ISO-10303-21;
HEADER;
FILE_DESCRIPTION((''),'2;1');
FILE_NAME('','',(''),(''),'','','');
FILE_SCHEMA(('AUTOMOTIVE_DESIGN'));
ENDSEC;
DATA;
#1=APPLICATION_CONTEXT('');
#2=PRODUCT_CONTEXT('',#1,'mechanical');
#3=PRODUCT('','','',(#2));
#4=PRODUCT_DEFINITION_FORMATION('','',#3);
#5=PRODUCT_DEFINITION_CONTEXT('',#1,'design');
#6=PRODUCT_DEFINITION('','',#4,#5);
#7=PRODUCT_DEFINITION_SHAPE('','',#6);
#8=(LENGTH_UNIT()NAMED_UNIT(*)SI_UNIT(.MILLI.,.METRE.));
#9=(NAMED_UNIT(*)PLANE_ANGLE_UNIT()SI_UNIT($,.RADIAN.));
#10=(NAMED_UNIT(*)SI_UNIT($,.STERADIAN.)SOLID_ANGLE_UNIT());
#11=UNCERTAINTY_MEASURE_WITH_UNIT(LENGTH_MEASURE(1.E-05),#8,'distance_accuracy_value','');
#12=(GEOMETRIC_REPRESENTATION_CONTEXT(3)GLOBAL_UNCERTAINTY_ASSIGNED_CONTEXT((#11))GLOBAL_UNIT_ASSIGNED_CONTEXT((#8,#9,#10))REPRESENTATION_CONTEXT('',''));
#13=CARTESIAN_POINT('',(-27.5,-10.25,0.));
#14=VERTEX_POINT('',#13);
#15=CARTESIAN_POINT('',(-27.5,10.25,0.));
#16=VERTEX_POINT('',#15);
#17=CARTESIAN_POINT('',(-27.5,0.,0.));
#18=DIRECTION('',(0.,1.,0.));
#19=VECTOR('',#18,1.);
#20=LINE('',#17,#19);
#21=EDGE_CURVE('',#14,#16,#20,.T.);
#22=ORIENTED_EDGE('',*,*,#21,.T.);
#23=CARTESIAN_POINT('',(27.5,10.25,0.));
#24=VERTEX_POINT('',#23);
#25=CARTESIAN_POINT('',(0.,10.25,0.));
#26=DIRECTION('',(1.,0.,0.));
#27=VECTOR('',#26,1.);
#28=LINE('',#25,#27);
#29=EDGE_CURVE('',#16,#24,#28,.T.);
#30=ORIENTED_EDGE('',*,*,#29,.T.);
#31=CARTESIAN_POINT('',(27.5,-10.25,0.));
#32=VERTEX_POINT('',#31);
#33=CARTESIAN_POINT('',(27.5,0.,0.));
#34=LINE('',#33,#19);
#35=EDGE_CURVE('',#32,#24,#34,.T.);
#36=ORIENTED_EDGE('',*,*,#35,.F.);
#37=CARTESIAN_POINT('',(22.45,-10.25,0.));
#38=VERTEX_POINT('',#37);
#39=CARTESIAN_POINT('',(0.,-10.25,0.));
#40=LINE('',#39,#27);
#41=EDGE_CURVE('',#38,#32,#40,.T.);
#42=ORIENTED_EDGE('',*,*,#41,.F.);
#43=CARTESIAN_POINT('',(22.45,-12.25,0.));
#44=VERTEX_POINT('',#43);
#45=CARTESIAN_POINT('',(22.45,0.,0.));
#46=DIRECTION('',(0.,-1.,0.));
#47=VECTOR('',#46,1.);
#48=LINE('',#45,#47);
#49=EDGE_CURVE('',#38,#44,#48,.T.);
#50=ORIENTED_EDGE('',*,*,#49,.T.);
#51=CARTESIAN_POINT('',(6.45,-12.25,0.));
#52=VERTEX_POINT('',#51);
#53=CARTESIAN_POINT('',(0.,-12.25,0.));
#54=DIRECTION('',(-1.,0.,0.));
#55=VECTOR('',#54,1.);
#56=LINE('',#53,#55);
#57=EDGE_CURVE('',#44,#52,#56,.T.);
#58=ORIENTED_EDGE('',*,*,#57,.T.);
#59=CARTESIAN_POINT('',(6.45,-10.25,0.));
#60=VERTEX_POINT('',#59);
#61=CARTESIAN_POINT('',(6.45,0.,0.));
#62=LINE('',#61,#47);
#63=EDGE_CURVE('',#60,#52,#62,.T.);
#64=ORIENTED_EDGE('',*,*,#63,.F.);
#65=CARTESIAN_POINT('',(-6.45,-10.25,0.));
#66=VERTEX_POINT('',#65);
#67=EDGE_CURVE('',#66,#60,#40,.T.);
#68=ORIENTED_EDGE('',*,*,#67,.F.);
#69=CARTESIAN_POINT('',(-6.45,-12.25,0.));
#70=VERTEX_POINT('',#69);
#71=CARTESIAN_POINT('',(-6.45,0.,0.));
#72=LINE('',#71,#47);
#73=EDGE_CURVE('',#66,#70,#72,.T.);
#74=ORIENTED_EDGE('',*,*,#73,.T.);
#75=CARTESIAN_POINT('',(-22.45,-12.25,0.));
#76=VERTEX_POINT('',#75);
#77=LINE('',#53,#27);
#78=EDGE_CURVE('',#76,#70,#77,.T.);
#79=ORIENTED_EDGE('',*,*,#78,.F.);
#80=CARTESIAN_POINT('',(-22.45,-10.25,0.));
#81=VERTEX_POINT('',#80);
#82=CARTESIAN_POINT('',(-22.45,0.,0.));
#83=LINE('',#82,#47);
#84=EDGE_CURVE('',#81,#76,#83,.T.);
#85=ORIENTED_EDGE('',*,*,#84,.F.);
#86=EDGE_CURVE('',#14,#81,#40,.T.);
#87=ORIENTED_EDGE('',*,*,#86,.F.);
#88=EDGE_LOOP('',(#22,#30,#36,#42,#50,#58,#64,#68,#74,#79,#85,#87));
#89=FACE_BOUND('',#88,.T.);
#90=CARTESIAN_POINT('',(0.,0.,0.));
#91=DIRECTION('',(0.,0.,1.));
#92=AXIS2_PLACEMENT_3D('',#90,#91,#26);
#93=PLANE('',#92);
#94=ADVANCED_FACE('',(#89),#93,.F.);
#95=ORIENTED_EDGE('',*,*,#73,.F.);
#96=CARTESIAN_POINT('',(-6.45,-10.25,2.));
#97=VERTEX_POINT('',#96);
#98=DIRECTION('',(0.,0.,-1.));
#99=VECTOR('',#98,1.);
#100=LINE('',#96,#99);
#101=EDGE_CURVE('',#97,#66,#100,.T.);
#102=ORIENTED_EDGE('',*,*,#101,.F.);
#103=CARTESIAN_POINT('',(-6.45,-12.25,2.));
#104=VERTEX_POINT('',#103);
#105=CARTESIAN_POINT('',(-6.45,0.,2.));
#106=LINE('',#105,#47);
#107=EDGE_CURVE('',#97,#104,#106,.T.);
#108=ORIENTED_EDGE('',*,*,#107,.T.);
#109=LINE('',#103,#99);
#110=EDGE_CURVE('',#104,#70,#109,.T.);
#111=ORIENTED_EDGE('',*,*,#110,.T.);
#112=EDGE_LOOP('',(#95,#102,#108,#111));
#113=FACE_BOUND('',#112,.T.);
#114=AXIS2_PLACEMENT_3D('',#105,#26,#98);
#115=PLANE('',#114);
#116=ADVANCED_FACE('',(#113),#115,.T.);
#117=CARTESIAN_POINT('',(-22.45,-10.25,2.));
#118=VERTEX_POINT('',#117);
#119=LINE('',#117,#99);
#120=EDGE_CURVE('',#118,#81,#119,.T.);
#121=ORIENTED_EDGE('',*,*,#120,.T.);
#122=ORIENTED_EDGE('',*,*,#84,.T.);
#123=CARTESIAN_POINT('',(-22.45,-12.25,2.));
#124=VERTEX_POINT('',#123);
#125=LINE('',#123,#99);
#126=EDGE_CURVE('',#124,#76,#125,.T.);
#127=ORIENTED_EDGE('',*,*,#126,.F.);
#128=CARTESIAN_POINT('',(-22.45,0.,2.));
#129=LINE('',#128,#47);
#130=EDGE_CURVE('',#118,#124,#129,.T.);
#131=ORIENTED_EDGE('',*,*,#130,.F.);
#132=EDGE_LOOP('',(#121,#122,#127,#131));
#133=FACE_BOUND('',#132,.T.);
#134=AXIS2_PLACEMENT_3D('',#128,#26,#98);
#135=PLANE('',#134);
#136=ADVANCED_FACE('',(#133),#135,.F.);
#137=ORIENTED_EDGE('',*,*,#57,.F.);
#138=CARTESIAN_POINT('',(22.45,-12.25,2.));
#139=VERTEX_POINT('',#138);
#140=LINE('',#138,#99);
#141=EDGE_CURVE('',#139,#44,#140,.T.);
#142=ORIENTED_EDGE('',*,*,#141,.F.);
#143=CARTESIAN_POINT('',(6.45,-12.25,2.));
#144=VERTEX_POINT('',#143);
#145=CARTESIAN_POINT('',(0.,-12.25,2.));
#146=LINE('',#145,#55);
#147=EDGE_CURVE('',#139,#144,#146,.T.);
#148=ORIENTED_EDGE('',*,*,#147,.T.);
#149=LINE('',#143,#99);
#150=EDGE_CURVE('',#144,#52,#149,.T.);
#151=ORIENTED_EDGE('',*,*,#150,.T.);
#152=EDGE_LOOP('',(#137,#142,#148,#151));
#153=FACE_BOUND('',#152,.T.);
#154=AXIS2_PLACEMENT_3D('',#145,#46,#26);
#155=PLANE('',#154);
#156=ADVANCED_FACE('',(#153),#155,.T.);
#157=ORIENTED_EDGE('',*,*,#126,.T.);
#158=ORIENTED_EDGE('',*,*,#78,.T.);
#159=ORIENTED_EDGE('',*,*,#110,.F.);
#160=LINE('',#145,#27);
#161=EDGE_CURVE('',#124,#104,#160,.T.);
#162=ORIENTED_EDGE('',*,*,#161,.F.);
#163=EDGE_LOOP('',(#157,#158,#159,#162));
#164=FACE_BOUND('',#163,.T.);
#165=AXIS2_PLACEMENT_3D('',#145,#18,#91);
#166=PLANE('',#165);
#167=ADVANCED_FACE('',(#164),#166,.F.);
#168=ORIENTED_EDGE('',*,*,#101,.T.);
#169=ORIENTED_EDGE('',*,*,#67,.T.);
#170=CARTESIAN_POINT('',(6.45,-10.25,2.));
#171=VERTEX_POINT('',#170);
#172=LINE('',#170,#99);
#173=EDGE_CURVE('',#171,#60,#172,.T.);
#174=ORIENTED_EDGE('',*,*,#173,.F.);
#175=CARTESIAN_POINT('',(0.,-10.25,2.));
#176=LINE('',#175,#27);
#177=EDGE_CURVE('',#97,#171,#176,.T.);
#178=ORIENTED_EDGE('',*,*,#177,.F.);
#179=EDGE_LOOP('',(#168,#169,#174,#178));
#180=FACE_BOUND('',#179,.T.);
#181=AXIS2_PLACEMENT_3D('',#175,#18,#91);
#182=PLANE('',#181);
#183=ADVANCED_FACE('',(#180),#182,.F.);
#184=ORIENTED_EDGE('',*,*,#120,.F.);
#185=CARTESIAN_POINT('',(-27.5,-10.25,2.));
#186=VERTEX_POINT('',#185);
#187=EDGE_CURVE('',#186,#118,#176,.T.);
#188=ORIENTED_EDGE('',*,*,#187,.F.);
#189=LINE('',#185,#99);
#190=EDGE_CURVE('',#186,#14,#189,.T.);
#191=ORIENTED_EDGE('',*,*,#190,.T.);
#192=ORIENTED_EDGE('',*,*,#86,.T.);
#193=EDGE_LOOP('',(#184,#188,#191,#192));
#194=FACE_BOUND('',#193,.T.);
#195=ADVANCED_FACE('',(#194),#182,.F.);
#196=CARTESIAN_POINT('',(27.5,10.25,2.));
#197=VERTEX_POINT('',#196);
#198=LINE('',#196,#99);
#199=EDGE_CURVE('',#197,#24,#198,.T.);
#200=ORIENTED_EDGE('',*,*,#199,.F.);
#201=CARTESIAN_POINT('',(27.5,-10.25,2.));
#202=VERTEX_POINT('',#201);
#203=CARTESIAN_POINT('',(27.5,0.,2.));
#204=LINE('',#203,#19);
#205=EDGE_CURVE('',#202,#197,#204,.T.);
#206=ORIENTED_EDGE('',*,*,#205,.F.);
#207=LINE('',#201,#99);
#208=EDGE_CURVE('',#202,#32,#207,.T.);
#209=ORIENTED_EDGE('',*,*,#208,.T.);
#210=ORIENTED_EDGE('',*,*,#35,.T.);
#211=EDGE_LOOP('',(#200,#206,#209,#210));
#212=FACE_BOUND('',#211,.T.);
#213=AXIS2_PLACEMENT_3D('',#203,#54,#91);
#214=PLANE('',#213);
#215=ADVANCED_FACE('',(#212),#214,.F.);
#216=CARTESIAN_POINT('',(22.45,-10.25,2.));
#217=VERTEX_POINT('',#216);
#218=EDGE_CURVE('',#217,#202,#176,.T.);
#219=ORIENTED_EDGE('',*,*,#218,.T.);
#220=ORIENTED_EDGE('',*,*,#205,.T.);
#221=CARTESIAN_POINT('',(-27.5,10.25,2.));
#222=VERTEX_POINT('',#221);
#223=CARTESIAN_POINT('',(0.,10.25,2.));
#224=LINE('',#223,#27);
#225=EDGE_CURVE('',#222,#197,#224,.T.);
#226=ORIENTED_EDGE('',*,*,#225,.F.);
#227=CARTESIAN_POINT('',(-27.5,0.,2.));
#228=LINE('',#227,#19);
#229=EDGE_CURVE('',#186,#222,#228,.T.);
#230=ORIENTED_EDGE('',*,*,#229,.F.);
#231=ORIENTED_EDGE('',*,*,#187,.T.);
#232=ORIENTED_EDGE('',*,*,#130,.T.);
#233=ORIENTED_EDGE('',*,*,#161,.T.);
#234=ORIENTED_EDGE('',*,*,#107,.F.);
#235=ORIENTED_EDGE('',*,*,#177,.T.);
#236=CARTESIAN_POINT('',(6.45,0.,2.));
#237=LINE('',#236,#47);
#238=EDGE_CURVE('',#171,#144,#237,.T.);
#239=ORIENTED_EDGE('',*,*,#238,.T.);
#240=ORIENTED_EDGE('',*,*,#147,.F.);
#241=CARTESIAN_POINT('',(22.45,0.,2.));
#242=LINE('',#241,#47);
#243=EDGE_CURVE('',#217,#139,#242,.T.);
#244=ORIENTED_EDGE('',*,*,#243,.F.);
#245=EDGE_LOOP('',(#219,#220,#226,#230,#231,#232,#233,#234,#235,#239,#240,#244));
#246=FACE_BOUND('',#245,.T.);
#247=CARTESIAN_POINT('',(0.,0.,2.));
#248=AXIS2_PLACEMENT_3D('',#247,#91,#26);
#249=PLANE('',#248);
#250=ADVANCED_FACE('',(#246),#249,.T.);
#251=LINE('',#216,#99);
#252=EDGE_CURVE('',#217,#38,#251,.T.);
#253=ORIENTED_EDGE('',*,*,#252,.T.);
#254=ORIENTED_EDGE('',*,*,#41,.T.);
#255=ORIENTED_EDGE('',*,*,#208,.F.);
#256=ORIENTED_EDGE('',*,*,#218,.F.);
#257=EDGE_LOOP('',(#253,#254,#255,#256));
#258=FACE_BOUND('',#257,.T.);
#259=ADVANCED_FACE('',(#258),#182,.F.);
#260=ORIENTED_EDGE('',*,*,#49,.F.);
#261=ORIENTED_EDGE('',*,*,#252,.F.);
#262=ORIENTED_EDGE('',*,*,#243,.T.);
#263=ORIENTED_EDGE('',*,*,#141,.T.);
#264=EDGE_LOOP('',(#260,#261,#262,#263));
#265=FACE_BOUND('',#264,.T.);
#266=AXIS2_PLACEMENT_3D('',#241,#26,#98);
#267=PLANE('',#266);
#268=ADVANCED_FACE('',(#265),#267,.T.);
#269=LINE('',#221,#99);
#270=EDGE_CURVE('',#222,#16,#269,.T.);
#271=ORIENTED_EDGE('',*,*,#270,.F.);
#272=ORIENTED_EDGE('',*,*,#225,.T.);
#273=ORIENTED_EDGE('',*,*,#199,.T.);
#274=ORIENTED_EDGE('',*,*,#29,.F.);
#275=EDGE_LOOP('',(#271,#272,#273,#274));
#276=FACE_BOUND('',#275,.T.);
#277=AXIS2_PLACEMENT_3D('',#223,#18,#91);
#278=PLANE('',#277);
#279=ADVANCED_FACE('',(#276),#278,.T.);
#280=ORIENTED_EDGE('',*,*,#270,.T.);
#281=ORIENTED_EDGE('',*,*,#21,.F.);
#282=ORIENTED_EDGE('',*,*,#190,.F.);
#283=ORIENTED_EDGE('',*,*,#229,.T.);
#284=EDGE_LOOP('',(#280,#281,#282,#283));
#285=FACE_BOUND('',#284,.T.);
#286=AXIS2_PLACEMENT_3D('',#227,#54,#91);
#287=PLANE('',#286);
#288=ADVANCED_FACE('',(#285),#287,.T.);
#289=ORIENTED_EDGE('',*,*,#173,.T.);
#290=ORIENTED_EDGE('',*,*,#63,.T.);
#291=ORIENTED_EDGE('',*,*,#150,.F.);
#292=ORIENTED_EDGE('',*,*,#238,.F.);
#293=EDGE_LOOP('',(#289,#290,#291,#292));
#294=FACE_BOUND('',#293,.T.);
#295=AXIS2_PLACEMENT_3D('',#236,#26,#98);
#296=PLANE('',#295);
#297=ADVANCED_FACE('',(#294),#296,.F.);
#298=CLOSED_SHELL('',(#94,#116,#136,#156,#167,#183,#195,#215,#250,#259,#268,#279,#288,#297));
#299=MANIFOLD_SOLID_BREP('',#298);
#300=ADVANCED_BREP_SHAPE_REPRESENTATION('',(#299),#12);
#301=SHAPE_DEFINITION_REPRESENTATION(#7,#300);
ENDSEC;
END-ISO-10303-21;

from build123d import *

# Parameters (mm, degrees)
SKETCH1_W           = 55
SKETCH1_H           = 20.5
SKETCH1_W_2         = 16
SKETCH1_H_2         = 2
BOSS_EXTRUDE1_DEPTH = 2


with BuildPart() as part:
    # Sketch1 → Boss-Extrude1 (new body)
    with BuildSketch(Plane.XY):
        Rectangle(SKETCH1_W, SKETCH1_H)
        with Locations((-14.45, -11.25)):
            Rectangle(SKETCH1_W_2, SKETCH1_H_2)
        with Locations((14.45, -11.25)):
            Rectangle(SKETCH1_W_2, SKETCH1_H_2)
    extrude(amount=BOSS_EXTRUDE1_DEPTH)


solid = part.part
